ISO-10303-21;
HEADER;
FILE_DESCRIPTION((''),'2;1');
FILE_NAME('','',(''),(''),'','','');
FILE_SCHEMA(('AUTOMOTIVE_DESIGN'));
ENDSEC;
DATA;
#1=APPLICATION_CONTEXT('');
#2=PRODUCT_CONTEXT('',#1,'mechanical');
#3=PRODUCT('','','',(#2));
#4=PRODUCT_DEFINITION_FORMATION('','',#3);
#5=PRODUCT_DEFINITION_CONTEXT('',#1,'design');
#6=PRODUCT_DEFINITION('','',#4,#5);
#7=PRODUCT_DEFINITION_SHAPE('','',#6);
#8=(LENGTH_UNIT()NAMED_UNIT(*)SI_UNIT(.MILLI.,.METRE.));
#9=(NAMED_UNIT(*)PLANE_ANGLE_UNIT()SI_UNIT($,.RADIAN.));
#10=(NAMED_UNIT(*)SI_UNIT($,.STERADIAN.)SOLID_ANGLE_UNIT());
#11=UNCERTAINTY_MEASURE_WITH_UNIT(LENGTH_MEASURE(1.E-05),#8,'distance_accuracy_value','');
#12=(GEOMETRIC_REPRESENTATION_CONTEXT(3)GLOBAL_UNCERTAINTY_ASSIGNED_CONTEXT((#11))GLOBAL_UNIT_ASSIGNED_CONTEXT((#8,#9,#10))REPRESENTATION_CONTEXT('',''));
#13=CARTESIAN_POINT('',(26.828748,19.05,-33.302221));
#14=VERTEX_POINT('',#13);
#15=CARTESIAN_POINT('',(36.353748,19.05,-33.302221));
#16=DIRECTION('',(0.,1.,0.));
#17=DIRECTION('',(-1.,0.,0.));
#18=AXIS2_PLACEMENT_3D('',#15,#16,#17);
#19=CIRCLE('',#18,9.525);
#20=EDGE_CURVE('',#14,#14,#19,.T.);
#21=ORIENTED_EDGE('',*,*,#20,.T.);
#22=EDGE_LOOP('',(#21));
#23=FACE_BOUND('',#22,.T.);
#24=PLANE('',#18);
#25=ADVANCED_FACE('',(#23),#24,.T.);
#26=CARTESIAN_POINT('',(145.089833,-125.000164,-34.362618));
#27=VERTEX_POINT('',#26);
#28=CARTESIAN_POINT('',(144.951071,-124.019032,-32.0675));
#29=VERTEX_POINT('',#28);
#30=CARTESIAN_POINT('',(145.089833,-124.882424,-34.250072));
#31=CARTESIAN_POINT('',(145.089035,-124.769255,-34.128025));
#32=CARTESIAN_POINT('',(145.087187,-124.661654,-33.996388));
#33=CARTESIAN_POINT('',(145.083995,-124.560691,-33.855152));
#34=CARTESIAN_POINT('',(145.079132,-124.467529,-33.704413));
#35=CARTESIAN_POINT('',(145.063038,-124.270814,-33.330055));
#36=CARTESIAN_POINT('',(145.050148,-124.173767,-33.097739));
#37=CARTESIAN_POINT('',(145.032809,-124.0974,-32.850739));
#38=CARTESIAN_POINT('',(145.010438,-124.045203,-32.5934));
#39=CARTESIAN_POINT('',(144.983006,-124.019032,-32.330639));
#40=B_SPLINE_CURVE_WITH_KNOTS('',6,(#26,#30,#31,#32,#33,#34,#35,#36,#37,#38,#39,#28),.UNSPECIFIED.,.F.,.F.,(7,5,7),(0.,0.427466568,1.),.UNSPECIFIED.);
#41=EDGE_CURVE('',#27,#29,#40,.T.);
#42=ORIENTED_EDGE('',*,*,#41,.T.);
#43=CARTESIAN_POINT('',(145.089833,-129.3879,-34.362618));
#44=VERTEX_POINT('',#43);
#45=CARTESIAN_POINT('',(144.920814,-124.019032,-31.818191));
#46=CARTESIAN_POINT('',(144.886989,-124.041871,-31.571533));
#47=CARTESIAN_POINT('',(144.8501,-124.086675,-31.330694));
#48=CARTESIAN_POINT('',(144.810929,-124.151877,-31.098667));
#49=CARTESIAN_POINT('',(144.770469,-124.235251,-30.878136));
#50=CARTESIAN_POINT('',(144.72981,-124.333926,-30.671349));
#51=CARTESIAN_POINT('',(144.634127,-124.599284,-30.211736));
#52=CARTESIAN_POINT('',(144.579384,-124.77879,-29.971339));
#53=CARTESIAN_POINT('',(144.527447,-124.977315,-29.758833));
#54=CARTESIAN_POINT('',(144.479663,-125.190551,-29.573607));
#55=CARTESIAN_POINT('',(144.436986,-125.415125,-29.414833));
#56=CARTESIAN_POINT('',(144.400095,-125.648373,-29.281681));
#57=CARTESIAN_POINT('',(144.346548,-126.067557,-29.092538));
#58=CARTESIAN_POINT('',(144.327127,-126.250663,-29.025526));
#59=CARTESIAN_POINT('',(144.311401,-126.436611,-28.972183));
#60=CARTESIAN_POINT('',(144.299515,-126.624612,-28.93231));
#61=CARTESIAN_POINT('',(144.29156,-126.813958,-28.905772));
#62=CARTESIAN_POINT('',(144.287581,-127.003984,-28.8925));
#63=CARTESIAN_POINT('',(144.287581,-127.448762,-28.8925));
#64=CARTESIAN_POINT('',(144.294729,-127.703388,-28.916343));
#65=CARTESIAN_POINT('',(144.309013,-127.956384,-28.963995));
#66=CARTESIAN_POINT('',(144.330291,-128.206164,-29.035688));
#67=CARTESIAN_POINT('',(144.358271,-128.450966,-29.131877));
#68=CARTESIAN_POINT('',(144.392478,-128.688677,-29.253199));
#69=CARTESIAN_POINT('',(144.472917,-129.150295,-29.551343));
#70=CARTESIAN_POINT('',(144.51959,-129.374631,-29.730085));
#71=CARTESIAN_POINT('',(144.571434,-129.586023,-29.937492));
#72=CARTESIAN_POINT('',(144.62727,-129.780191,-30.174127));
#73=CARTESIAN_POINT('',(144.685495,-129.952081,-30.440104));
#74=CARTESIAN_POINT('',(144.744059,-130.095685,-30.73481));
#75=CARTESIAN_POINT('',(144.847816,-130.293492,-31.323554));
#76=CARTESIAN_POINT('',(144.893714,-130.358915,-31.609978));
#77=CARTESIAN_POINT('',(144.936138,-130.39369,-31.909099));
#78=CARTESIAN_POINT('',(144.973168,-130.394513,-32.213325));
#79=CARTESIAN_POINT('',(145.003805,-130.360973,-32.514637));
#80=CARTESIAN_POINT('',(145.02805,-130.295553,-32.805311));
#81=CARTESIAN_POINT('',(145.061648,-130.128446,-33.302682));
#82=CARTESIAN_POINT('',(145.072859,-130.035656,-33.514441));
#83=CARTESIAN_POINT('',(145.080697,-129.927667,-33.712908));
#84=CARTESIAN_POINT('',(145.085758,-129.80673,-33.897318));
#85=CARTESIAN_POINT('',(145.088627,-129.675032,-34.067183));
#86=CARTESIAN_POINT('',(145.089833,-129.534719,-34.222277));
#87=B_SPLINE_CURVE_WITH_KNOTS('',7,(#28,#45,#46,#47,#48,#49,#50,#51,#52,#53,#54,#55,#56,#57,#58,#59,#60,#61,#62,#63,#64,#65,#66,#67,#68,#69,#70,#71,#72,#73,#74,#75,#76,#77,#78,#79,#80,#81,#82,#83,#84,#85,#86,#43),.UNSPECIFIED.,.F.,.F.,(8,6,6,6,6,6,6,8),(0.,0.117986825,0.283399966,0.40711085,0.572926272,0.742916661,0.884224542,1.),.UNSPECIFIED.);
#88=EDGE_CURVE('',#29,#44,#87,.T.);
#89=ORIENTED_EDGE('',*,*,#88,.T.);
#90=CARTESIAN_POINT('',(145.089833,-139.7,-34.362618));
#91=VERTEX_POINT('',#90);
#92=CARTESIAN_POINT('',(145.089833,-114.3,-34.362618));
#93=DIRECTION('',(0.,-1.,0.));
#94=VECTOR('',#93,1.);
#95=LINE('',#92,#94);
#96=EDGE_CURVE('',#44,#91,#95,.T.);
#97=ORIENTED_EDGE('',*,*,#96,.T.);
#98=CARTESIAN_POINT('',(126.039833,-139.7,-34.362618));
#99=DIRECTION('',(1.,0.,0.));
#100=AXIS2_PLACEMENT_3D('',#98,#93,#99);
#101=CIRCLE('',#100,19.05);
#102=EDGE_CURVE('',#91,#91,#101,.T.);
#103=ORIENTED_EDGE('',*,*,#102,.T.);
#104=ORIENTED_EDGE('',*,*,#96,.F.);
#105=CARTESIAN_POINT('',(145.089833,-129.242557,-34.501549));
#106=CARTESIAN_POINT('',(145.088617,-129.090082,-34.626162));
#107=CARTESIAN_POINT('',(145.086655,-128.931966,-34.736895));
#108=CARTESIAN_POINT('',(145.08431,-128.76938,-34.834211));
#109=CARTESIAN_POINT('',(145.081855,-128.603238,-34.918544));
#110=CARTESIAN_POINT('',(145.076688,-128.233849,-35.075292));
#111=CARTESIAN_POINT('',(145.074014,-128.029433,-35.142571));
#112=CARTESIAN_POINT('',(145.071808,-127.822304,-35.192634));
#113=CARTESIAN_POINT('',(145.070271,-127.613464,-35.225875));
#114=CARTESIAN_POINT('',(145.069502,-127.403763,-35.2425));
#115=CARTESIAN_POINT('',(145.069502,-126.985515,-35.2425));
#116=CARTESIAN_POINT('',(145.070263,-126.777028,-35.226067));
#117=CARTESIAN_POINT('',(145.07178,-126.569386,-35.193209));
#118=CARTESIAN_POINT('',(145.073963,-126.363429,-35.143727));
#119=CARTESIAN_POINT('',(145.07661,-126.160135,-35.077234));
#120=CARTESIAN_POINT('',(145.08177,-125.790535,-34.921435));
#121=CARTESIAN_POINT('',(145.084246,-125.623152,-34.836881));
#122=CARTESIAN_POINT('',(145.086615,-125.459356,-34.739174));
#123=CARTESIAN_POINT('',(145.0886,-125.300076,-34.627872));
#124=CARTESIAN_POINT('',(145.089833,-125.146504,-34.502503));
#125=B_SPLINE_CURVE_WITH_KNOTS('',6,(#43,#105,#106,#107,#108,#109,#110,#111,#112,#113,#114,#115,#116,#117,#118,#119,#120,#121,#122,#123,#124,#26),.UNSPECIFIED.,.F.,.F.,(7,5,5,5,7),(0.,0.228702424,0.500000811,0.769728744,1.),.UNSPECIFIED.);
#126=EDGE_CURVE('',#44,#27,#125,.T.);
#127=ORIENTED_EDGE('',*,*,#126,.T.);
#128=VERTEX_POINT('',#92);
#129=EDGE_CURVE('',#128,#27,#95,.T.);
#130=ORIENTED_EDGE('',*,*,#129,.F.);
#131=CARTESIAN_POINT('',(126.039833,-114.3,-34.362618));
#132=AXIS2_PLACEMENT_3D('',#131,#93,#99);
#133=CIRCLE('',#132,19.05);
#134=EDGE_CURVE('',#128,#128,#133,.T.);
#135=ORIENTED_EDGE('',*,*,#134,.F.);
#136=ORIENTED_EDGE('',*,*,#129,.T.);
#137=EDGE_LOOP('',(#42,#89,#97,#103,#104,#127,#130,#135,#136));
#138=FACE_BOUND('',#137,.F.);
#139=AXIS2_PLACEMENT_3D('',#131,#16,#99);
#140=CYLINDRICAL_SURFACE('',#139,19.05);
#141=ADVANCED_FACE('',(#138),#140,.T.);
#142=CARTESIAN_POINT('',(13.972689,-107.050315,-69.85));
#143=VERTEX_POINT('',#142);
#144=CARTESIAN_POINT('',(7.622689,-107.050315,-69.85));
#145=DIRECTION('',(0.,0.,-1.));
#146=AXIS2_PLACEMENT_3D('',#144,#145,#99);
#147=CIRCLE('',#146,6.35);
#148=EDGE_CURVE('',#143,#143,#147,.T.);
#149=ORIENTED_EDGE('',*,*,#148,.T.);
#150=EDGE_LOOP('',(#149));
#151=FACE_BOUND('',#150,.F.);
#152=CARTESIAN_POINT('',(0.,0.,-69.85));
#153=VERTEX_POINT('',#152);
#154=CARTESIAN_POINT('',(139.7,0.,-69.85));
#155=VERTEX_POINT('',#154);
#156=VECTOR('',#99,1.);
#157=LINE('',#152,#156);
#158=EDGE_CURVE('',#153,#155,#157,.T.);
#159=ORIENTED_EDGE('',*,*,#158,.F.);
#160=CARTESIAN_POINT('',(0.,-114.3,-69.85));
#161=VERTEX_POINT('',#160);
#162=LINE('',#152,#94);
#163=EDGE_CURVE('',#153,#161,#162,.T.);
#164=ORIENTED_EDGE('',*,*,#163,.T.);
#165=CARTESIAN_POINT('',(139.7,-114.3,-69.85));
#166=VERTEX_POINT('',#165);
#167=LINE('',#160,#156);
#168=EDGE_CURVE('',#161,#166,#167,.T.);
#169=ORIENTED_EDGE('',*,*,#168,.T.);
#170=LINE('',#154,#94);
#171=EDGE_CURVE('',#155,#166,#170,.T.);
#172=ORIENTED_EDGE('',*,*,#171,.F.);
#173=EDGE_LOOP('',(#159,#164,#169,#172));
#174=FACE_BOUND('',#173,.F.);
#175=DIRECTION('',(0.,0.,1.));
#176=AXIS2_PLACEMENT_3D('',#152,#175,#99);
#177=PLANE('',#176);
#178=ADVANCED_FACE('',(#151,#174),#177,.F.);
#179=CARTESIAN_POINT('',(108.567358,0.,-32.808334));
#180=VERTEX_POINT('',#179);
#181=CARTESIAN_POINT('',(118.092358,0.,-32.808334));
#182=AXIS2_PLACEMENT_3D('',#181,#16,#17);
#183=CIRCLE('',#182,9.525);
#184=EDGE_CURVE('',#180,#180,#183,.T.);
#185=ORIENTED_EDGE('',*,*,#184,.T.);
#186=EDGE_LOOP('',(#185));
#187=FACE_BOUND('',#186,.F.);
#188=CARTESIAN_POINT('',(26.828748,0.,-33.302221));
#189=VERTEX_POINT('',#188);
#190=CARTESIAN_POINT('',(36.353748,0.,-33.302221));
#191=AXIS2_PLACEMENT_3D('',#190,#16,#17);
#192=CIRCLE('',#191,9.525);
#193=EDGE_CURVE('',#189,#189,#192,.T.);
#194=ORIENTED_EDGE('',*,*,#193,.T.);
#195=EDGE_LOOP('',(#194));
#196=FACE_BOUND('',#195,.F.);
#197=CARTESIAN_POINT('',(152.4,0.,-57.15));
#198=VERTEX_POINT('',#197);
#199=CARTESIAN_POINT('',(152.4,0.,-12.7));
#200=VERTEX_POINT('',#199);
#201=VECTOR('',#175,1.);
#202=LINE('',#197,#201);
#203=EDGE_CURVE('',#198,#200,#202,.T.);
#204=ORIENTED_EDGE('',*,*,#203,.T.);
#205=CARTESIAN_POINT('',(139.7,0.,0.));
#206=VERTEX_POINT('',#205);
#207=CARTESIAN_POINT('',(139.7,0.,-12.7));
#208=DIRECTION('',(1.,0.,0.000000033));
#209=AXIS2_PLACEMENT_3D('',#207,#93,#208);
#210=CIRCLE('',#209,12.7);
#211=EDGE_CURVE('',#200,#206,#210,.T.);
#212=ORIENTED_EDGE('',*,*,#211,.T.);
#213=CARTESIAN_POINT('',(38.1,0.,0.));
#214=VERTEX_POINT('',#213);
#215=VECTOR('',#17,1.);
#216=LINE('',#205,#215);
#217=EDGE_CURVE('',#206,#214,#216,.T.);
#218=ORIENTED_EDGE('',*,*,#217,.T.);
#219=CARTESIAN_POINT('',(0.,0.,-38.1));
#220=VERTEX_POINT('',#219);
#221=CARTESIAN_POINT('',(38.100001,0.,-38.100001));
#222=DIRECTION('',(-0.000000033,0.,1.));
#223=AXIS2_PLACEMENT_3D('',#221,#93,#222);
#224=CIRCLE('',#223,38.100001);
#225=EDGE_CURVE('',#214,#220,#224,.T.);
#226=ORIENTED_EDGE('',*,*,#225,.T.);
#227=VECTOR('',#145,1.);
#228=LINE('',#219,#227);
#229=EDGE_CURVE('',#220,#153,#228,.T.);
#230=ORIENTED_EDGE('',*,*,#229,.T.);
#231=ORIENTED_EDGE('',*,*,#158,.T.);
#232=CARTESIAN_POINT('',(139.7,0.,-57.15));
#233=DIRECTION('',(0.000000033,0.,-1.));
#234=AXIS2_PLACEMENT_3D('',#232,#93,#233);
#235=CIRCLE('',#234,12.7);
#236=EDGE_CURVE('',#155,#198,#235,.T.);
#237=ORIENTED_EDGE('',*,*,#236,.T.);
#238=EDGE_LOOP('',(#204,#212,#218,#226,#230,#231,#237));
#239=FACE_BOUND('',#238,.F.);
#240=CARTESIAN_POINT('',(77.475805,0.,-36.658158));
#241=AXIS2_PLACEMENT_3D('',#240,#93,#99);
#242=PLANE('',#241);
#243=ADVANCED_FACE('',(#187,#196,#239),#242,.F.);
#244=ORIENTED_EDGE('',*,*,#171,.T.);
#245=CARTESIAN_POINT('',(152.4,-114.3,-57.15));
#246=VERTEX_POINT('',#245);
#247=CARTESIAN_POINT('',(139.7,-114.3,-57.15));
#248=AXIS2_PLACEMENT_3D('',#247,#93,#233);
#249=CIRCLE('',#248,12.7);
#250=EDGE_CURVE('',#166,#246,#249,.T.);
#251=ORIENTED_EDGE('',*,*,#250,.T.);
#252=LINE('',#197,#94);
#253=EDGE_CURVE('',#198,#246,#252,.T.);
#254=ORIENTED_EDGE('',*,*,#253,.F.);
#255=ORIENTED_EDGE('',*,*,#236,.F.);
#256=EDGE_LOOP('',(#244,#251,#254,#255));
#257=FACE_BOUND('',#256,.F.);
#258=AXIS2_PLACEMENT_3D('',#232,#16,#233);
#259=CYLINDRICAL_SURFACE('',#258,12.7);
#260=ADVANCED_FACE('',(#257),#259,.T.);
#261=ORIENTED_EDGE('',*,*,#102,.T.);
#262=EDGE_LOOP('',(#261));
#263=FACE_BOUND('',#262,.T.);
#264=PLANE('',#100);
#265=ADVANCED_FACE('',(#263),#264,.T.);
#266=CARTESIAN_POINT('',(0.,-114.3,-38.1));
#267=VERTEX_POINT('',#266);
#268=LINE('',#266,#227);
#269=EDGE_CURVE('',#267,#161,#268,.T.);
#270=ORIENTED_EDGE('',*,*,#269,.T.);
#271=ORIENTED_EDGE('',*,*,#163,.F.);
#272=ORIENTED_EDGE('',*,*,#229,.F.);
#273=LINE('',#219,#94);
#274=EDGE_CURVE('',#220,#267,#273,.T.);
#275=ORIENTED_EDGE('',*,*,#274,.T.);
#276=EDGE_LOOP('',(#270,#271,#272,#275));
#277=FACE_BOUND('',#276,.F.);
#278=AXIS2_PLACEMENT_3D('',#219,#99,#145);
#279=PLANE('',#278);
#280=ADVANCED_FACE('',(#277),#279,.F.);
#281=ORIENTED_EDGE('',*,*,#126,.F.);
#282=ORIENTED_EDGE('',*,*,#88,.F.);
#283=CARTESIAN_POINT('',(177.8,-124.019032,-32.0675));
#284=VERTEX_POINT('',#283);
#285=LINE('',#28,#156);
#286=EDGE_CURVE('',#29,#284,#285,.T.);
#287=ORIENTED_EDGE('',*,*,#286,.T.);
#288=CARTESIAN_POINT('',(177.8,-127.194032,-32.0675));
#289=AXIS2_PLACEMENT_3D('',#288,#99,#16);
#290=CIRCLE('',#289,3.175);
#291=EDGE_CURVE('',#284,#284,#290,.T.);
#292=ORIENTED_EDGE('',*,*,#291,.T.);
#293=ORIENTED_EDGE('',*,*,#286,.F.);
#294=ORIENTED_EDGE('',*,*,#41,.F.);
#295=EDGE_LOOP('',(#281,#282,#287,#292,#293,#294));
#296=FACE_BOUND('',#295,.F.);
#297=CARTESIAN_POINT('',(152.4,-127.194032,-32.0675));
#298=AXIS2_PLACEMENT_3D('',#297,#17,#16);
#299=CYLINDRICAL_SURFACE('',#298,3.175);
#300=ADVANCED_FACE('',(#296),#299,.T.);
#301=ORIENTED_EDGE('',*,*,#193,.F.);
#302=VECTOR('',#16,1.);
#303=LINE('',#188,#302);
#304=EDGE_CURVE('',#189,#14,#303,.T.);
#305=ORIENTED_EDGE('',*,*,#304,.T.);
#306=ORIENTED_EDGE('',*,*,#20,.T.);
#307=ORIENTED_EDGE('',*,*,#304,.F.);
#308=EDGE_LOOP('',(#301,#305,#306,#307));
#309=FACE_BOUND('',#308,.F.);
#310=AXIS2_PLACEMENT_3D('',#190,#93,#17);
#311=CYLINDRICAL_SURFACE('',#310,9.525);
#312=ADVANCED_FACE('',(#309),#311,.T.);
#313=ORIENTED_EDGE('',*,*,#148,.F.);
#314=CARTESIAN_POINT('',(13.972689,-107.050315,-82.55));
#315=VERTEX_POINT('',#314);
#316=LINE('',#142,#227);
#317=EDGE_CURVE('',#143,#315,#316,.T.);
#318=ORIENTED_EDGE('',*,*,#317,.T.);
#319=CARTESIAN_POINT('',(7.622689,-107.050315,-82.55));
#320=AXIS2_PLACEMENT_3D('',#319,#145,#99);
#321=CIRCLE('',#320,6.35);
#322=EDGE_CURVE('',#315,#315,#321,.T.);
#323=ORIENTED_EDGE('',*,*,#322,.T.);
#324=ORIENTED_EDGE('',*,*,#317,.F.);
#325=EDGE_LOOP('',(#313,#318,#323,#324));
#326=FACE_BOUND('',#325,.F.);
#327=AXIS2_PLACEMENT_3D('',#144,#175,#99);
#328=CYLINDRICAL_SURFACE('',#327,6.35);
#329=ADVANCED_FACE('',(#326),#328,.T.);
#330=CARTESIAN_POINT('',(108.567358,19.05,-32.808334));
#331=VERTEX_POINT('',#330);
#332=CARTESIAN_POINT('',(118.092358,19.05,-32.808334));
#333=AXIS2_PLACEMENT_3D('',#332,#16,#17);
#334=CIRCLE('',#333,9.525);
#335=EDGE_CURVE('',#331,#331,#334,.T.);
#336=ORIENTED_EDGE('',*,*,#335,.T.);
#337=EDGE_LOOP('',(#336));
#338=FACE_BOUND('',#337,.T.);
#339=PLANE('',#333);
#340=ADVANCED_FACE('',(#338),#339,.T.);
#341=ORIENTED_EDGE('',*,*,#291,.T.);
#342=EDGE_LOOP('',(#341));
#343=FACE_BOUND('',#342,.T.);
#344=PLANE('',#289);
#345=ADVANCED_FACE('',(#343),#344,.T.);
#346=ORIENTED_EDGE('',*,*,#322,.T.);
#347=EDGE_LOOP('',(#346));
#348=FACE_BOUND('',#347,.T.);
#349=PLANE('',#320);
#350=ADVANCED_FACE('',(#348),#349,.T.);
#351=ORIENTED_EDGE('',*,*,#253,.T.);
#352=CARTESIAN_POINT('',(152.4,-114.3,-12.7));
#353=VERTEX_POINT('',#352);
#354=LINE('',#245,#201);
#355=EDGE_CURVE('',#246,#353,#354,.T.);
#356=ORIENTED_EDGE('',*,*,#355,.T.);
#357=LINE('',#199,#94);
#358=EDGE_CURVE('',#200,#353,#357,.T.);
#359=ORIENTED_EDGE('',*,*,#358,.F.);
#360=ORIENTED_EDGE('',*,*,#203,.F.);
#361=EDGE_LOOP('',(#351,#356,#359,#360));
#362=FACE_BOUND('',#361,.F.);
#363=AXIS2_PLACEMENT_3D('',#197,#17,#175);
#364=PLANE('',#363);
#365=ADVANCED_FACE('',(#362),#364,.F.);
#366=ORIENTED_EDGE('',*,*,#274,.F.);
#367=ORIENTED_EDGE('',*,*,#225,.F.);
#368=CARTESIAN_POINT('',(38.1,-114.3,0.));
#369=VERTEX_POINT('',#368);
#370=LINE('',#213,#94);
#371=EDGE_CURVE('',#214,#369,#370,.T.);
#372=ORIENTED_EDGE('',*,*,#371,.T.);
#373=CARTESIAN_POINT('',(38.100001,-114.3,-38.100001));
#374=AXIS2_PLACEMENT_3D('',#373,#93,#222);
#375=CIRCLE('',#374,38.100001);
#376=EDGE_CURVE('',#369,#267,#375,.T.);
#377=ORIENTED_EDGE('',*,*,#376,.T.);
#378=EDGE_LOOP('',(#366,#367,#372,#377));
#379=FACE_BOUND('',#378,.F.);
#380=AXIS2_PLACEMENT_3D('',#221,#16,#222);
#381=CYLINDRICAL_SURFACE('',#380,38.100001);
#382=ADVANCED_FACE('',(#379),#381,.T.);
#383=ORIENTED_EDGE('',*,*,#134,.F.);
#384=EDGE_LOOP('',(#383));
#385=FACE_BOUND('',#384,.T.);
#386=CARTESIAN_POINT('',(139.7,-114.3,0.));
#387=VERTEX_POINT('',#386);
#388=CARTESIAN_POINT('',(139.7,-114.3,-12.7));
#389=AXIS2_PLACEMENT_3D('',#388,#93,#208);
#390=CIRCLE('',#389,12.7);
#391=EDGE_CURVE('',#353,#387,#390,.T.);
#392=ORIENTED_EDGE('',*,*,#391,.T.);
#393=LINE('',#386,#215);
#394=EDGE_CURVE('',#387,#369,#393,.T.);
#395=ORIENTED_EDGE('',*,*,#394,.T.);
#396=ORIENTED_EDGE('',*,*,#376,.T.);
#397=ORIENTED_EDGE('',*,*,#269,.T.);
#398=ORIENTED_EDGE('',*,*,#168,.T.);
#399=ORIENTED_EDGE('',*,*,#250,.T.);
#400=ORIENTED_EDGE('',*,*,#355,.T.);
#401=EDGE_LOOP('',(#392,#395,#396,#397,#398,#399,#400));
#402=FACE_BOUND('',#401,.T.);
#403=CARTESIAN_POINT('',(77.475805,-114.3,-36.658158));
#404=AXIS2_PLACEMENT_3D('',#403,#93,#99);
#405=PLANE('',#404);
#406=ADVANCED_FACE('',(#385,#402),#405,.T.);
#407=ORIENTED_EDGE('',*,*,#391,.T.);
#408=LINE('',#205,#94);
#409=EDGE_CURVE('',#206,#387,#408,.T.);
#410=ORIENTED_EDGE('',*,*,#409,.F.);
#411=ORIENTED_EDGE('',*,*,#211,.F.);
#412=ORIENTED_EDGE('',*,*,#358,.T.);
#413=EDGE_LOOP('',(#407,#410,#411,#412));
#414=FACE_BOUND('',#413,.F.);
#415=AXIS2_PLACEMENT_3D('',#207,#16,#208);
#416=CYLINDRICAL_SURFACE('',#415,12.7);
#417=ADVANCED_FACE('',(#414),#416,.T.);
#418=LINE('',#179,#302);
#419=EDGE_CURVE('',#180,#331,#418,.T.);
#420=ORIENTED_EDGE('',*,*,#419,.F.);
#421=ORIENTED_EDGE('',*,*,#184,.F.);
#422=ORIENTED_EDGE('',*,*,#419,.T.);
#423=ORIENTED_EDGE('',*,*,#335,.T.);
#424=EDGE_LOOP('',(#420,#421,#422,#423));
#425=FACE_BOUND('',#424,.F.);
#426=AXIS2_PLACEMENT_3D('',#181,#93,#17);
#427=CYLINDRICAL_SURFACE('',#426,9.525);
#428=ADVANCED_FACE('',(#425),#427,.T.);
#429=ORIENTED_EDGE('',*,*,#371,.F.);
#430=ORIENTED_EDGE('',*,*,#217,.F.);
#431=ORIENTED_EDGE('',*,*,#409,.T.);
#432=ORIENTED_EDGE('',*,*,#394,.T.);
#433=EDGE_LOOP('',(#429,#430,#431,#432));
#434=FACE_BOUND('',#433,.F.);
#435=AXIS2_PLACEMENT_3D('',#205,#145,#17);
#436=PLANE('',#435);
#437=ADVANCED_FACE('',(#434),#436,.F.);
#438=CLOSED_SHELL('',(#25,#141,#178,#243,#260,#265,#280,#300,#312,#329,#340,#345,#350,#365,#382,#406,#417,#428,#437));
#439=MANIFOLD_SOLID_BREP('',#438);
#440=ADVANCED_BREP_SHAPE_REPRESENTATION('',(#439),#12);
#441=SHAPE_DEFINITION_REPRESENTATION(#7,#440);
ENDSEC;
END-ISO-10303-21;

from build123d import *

# Parameters (mm, degrees)
F1_DEPTH  = 114.3
F2_R      = 19.05
F3_DEPTH  = 25.4
F4_R      = 6.35
F5_DEPTH  = 12.7
F6_R      = 3.175
F7_DEPTH  = 12.7
F7_FACE_R = 3.175
F8_DEPTH  = 25.4
F9_R      = 9.525
F10_DEPTH = 19.05


with BuildPart() as f1:
    # F0 (on Front) → F1 (new body)
    with BuildSketch(Plane.XZ):
        with BuildLine():
            Line((139.7, 0), (38.1, 0))
            ThreePointArc((38.1, 0), (11.159232, -11.159232), (0, -38.1))
            Line((0, -38.1), (0, -69.85))
            Line((0, -69.85), (139.7, -69.85))
            ThreePointArc((139.7, -69.85), (148.680256, -66.130256), (152.4, -57.15))
            Line((152.4, -57.15), (152.4, -12.7))
            ThreePointArc((152.4, -12.7), (148.680256, -3.719744), (139.7, 0))
        make_face()
    extrude(amount=F1_DEPTH)

    # F2 (on face) → F3 (join)
    with BuildSketch(Plane.XZ.offset(114.3)):
        with Locations((126.039833, -34.362618)):
            Circle(F2_R)
    extrude(amount=F3_DEPTH)

    # F4 (on face) → F5 (join)
    with BuildSketch(Plane(origin=(0, 0, -69.85), x_dir=(1, 0, 0), z_dir=(0, 0, -1))):
        with Locations((7.622689, 107.050315)):
            Circle(F4_R)
    extrude(amount=F5_DEPTH)

    # F6 (on face) → F7 (join)
    with BuildSketch(Plane.YZ.offset(152.4)):
        with Locations((-127.194032, -32.0675)):
            Circle(F6_R)
    extrude(amount=-F7_DEPTH)

    # F7_face (on face) → F8 (join)
    with BuildSketch(Plane(origin=(152.4, -127.194032, -32.0675), x_dir=(0, 1, 0), z_dir=(1, 0, 0))):
        Circle(F7_FACE_R)
    extrude(amount=F8_DEPTH)

    # F9 (on face) → F10 (join)
    with BuildSketch(Plane(origin=(0, 0, 0), x_dir=(-1, 0, 0), z_dir=(0, 1, 0))):
        with Locations((-118.092358, -32.808334)):
            Circle(F9_R)
        with Locations((-36.353748, -33.302221)):
            Circle(F9_R)
    extrude(amount=F10_DEPTH)


solid = f1.part
